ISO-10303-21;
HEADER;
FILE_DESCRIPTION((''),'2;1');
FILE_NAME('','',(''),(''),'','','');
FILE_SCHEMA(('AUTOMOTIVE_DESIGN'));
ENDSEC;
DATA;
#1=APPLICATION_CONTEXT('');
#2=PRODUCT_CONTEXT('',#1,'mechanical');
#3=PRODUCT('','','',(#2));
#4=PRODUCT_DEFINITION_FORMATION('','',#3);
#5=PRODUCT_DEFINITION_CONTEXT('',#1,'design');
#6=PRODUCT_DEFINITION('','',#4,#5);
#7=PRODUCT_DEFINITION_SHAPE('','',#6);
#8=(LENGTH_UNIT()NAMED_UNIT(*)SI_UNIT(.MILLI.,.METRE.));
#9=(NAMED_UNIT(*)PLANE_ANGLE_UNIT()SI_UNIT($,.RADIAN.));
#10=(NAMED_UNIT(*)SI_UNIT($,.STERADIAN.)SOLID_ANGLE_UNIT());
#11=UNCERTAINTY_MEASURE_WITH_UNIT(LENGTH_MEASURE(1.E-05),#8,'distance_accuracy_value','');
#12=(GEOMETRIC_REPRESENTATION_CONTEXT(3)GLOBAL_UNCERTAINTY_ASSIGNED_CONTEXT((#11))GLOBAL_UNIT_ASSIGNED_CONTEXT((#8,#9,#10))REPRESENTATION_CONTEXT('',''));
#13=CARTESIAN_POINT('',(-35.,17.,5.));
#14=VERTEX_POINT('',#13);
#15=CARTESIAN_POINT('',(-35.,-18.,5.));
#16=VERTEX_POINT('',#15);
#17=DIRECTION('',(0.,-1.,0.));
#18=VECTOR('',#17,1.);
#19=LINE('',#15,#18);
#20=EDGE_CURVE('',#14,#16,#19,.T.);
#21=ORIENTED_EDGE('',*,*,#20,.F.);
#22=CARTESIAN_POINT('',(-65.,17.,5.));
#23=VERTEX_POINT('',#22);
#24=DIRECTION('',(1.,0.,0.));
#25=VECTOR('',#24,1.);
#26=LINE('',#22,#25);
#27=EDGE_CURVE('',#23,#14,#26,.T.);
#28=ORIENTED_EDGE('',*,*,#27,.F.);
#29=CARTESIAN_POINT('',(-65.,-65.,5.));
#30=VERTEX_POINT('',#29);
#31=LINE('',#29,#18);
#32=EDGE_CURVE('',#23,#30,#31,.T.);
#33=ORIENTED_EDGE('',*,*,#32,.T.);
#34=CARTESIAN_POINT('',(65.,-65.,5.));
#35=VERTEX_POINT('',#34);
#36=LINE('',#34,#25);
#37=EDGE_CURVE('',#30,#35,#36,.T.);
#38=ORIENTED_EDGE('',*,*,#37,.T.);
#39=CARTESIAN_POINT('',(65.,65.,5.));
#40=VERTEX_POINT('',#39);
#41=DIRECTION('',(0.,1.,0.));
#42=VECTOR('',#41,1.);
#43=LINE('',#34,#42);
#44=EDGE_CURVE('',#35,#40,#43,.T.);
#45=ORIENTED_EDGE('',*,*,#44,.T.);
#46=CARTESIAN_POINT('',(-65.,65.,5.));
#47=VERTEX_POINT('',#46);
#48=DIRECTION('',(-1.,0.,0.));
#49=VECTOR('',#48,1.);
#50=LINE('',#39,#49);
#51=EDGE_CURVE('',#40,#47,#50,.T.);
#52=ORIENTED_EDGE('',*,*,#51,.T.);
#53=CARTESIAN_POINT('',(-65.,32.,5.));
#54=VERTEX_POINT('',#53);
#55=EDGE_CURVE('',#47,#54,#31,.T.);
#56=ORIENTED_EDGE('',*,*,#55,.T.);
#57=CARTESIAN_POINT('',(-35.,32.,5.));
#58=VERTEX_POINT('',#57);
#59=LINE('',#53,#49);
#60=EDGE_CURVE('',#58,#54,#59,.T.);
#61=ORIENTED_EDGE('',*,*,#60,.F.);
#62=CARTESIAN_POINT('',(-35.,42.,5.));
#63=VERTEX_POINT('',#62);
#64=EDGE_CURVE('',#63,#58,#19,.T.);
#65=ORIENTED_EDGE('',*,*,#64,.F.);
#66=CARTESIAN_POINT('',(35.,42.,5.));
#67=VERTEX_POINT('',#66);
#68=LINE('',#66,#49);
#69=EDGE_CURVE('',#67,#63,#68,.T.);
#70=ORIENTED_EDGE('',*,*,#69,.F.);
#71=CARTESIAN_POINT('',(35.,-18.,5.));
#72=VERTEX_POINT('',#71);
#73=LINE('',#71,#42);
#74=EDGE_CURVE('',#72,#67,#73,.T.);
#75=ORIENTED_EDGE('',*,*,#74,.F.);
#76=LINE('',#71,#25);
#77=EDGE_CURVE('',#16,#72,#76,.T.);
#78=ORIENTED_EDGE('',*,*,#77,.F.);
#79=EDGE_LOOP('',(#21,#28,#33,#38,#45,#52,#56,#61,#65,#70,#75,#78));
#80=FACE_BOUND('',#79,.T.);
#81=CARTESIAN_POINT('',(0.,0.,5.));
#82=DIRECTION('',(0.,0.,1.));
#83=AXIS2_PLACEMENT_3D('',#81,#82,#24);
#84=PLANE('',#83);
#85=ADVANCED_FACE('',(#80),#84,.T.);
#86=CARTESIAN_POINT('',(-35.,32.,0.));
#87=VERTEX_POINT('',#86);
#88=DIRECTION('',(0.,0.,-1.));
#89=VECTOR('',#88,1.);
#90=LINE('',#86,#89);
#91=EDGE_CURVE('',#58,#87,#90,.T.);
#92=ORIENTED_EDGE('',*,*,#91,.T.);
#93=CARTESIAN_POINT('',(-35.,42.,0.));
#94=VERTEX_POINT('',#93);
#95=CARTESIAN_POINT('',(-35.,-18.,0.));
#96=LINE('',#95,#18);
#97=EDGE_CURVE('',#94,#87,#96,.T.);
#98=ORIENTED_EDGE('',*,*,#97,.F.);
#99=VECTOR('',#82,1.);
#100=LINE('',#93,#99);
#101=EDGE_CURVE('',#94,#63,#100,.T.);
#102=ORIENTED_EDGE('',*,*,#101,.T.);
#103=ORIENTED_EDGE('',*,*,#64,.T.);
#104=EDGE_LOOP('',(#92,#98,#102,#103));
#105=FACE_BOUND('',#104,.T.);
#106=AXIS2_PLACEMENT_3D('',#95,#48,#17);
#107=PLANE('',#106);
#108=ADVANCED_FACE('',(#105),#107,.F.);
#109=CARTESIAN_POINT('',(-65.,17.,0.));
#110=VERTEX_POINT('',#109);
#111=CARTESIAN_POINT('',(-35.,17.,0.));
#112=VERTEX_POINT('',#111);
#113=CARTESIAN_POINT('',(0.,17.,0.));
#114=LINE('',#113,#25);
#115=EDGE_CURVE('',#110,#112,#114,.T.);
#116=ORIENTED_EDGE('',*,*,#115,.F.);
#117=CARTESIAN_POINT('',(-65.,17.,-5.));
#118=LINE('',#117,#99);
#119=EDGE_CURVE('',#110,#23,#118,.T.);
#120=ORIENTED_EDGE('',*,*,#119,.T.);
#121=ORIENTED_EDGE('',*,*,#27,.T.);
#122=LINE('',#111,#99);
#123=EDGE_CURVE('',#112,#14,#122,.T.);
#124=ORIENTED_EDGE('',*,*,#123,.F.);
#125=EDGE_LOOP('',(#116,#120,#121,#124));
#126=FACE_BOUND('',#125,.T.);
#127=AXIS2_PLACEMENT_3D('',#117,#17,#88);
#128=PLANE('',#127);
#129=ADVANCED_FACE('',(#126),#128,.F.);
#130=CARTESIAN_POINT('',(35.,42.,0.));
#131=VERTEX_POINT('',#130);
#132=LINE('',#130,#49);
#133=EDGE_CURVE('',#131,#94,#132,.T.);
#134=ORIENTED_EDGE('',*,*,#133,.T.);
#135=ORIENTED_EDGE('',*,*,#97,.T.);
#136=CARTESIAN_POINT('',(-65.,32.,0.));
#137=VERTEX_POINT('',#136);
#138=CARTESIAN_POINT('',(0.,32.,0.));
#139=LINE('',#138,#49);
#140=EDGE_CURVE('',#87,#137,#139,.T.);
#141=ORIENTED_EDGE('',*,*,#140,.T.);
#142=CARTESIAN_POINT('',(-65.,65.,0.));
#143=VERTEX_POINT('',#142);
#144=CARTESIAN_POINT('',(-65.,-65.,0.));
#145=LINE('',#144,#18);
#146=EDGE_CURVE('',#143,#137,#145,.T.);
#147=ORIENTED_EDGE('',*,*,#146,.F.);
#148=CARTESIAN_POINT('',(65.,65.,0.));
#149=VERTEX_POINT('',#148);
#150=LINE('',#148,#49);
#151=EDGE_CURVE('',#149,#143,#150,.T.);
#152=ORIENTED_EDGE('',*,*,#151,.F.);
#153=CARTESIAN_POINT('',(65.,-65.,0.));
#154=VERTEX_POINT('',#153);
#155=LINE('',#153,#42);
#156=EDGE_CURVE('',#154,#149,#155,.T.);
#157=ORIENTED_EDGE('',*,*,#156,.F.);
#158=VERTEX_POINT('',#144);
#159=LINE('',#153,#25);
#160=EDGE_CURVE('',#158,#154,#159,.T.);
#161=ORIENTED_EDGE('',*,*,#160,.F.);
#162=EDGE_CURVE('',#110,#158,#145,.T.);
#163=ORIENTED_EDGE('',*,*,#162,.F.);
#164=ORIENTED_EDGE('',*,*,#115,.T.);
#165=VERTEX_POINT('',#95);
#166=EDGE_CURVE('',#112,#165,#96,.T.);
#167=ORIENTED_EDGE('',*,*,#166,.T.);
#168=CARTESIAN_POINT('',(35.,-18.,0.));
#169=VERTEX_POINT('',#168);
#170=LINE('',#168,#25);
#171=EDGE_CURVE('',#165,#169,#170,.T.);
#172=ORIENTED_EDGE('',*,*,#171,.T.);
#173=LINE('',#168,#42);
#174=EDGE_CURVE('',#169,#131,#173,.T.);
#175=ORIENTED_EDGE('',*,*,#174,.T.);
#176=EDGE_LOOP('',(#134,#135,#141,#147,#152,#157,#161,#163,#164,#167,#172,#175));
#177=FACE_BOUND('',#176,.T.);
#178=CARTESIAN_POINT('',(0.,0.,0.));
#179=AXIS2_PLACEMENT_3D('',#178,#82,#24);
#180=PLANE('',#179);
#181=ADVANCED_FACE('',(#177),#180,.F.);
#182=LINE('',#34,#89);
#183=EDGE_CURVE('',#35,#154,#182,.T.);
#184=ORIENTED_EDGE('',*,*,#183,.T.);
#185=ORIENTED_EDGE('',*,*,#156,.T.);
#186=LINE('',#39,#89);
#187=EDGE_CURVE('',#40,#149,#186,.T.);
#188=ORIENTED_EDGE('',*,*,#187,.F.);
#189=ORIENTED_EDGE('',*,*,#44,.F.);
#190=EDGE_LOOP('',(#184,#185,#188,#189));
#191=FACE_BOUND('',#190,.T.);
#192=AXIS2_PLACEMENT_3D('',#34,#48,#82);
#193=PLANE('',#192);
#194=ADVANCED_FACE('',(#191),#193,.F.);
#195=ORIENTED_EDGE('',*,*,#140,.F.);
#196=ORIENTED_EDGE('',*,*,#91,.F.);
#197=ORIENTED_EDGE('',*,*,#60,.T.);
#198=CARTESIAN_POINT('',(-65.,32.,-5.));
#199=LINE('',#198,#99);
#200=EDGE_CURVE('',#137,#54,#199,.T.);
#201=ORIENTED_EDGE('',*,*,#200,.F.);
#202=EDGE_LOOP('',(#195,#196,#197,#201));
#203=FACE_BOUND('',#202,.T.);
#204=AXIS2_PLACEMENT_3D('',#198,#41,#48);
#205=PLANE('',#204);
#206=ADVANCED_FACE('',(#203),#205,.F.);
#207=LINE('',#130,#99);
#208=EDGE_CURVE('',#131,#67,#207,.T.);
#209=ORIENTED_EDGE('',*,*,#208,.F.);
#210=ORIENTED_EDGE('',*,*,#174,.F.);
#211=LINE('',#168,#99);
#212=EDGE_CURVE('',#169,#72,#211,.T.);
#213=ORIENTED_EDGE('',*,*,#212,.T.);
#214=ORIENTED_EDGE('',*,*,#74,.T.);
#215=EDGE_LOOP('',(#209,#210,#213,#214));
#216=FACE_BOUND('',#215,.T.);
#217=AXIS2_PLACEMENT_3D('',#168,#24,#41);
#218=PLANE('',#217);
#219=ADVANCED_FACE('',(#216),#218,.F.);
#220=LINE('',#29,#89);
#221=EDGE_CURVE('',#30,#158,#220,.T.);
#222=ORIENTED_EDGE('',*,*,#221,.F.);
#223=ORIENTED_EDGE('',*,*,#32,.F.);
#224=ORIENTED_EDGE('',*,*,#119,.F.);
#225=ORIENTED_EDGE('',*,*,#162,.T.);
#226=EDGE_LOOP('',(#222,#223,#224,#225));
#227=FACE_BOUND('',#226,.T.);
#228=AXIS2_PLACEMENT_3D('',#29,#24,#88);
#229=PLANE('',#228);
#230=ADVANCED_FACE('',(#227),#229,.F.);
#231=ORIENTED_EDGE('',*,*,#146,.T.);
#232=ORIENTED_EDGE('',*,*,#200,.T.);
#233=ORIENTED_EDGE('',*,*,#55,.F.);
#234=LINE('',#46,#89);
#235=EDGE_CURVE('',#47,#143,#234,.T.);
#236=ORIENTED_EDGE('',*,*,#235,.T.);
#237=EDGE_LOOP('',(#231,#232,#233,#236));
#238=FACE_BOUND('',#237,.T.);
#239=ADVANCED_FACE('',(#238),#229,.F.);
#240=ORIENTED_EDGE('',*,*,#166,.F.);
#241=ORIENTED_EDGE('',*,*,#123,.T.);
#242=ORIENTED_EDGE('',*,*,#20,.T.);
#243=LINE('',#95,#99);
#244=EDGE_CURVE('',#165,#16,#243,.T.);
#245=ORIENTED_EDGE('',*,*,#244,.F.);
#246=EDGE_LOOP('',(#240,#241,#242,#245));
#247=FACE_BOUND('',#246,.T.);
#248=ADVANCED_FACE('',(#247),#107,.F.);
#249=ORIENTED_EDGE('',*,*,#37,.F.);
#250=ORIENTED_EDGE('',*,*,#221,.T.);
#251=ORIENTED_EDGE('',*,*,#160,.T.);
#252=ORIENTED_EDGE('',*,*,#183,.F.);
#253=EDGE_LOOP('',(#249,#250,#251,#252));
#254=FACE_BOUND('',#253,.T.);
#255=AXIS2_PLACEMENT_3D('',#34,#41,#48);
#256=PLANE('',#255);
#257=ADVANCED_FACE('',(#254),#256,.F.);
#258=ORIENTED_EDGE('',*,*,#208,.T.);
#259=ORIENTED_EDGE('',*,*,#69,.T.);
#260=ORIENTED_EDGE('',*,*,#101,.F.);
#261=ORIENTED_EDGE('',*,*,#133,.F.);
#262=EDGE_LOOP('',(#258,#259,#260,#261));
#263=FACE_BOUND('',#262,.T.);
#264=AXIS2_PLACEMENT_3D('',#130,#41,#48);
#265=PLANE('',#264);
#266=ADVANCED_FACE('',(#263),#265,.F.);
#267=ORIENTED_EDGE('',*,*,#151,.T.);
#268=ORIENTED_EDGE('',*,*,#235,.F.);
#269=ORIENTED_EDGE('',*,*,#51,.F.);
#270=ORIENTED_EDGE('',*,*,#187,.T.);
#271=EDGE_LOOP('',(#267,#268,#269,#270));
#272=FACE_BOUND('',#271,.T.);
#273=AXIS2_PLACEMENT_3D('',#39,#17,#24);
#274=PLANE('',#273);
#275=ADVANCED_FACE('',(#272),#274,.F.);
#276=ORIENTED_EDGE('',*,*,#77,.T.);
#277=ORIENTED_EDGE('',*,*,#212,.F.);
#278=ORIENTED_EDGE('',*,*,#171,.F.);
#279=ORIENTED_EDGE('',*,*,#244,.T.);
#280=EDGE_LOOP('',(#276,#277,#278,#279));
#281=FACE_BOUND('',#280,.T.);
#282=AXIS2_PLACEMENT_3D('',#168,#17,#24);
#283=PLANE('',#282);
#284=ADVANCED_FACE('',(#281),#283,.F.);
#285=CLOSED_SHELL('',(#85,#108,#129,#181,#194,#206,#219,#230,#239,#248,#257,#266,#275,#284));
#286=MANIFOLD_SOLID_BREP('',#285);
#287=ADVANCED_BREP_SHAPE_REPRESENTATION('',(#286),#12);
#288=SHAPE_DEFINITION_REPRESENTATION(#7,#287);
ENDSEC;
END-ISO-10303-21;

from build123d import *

# Parameters (mm, degrees)
SCHIZZO1_W                   = 130
SCHIZZO1_H                   = 130
ESTRUSIONE_ESTRUSIONE1_DEPTH = 5
SCHIZZO2_W                   = 70
SCHIZZO2_H                   = 60
TAGLIO_ESTRUSIONE1_DEPTH     = 5
SCHIZZO3_W                   = 30
SCHIZZO3_H                   = 15
TAGLIO_ESTRUSIONE2_DEPTH     = 10


with BuildPart() as part:
    # Schizzo1 → Estrusione-Estrusione1 (new body)
    with BuildSketch(Plane.XY):
        Rectangle(SCHIZZO1_W, SCHIZZO1_H)
    extrude(amount=ESTRUSIONE_ESTRUSIONE1_DEPTH)

    # Schizzo2 → Taglio-Estrusione1 (cut)
    with BuildSketch(Plane.XY.offset(5)):
        with Locations((0, 12)):
            Rectangle(SCHIZZO2_W, SCHIZZO2_H)
    extrude(amount=-TAGLIO_ESTRUSIONE1_DEPTH, mode=Mode.SUBTRACT)

    # Schizzo3 → Taglio-Estrusione2 (cut)
    with BuildSketch(Plane.XY.offset(5)):
        with Locations((-50, 24.5)):
            Rectangle(SCHIZZO3_W, SCHIZZO3_H)
    extrude(amount=-TAGLIO_ESTRUSIONE2_DEPTH, mode=Mode.SUBTRACT)


solid = part.part
